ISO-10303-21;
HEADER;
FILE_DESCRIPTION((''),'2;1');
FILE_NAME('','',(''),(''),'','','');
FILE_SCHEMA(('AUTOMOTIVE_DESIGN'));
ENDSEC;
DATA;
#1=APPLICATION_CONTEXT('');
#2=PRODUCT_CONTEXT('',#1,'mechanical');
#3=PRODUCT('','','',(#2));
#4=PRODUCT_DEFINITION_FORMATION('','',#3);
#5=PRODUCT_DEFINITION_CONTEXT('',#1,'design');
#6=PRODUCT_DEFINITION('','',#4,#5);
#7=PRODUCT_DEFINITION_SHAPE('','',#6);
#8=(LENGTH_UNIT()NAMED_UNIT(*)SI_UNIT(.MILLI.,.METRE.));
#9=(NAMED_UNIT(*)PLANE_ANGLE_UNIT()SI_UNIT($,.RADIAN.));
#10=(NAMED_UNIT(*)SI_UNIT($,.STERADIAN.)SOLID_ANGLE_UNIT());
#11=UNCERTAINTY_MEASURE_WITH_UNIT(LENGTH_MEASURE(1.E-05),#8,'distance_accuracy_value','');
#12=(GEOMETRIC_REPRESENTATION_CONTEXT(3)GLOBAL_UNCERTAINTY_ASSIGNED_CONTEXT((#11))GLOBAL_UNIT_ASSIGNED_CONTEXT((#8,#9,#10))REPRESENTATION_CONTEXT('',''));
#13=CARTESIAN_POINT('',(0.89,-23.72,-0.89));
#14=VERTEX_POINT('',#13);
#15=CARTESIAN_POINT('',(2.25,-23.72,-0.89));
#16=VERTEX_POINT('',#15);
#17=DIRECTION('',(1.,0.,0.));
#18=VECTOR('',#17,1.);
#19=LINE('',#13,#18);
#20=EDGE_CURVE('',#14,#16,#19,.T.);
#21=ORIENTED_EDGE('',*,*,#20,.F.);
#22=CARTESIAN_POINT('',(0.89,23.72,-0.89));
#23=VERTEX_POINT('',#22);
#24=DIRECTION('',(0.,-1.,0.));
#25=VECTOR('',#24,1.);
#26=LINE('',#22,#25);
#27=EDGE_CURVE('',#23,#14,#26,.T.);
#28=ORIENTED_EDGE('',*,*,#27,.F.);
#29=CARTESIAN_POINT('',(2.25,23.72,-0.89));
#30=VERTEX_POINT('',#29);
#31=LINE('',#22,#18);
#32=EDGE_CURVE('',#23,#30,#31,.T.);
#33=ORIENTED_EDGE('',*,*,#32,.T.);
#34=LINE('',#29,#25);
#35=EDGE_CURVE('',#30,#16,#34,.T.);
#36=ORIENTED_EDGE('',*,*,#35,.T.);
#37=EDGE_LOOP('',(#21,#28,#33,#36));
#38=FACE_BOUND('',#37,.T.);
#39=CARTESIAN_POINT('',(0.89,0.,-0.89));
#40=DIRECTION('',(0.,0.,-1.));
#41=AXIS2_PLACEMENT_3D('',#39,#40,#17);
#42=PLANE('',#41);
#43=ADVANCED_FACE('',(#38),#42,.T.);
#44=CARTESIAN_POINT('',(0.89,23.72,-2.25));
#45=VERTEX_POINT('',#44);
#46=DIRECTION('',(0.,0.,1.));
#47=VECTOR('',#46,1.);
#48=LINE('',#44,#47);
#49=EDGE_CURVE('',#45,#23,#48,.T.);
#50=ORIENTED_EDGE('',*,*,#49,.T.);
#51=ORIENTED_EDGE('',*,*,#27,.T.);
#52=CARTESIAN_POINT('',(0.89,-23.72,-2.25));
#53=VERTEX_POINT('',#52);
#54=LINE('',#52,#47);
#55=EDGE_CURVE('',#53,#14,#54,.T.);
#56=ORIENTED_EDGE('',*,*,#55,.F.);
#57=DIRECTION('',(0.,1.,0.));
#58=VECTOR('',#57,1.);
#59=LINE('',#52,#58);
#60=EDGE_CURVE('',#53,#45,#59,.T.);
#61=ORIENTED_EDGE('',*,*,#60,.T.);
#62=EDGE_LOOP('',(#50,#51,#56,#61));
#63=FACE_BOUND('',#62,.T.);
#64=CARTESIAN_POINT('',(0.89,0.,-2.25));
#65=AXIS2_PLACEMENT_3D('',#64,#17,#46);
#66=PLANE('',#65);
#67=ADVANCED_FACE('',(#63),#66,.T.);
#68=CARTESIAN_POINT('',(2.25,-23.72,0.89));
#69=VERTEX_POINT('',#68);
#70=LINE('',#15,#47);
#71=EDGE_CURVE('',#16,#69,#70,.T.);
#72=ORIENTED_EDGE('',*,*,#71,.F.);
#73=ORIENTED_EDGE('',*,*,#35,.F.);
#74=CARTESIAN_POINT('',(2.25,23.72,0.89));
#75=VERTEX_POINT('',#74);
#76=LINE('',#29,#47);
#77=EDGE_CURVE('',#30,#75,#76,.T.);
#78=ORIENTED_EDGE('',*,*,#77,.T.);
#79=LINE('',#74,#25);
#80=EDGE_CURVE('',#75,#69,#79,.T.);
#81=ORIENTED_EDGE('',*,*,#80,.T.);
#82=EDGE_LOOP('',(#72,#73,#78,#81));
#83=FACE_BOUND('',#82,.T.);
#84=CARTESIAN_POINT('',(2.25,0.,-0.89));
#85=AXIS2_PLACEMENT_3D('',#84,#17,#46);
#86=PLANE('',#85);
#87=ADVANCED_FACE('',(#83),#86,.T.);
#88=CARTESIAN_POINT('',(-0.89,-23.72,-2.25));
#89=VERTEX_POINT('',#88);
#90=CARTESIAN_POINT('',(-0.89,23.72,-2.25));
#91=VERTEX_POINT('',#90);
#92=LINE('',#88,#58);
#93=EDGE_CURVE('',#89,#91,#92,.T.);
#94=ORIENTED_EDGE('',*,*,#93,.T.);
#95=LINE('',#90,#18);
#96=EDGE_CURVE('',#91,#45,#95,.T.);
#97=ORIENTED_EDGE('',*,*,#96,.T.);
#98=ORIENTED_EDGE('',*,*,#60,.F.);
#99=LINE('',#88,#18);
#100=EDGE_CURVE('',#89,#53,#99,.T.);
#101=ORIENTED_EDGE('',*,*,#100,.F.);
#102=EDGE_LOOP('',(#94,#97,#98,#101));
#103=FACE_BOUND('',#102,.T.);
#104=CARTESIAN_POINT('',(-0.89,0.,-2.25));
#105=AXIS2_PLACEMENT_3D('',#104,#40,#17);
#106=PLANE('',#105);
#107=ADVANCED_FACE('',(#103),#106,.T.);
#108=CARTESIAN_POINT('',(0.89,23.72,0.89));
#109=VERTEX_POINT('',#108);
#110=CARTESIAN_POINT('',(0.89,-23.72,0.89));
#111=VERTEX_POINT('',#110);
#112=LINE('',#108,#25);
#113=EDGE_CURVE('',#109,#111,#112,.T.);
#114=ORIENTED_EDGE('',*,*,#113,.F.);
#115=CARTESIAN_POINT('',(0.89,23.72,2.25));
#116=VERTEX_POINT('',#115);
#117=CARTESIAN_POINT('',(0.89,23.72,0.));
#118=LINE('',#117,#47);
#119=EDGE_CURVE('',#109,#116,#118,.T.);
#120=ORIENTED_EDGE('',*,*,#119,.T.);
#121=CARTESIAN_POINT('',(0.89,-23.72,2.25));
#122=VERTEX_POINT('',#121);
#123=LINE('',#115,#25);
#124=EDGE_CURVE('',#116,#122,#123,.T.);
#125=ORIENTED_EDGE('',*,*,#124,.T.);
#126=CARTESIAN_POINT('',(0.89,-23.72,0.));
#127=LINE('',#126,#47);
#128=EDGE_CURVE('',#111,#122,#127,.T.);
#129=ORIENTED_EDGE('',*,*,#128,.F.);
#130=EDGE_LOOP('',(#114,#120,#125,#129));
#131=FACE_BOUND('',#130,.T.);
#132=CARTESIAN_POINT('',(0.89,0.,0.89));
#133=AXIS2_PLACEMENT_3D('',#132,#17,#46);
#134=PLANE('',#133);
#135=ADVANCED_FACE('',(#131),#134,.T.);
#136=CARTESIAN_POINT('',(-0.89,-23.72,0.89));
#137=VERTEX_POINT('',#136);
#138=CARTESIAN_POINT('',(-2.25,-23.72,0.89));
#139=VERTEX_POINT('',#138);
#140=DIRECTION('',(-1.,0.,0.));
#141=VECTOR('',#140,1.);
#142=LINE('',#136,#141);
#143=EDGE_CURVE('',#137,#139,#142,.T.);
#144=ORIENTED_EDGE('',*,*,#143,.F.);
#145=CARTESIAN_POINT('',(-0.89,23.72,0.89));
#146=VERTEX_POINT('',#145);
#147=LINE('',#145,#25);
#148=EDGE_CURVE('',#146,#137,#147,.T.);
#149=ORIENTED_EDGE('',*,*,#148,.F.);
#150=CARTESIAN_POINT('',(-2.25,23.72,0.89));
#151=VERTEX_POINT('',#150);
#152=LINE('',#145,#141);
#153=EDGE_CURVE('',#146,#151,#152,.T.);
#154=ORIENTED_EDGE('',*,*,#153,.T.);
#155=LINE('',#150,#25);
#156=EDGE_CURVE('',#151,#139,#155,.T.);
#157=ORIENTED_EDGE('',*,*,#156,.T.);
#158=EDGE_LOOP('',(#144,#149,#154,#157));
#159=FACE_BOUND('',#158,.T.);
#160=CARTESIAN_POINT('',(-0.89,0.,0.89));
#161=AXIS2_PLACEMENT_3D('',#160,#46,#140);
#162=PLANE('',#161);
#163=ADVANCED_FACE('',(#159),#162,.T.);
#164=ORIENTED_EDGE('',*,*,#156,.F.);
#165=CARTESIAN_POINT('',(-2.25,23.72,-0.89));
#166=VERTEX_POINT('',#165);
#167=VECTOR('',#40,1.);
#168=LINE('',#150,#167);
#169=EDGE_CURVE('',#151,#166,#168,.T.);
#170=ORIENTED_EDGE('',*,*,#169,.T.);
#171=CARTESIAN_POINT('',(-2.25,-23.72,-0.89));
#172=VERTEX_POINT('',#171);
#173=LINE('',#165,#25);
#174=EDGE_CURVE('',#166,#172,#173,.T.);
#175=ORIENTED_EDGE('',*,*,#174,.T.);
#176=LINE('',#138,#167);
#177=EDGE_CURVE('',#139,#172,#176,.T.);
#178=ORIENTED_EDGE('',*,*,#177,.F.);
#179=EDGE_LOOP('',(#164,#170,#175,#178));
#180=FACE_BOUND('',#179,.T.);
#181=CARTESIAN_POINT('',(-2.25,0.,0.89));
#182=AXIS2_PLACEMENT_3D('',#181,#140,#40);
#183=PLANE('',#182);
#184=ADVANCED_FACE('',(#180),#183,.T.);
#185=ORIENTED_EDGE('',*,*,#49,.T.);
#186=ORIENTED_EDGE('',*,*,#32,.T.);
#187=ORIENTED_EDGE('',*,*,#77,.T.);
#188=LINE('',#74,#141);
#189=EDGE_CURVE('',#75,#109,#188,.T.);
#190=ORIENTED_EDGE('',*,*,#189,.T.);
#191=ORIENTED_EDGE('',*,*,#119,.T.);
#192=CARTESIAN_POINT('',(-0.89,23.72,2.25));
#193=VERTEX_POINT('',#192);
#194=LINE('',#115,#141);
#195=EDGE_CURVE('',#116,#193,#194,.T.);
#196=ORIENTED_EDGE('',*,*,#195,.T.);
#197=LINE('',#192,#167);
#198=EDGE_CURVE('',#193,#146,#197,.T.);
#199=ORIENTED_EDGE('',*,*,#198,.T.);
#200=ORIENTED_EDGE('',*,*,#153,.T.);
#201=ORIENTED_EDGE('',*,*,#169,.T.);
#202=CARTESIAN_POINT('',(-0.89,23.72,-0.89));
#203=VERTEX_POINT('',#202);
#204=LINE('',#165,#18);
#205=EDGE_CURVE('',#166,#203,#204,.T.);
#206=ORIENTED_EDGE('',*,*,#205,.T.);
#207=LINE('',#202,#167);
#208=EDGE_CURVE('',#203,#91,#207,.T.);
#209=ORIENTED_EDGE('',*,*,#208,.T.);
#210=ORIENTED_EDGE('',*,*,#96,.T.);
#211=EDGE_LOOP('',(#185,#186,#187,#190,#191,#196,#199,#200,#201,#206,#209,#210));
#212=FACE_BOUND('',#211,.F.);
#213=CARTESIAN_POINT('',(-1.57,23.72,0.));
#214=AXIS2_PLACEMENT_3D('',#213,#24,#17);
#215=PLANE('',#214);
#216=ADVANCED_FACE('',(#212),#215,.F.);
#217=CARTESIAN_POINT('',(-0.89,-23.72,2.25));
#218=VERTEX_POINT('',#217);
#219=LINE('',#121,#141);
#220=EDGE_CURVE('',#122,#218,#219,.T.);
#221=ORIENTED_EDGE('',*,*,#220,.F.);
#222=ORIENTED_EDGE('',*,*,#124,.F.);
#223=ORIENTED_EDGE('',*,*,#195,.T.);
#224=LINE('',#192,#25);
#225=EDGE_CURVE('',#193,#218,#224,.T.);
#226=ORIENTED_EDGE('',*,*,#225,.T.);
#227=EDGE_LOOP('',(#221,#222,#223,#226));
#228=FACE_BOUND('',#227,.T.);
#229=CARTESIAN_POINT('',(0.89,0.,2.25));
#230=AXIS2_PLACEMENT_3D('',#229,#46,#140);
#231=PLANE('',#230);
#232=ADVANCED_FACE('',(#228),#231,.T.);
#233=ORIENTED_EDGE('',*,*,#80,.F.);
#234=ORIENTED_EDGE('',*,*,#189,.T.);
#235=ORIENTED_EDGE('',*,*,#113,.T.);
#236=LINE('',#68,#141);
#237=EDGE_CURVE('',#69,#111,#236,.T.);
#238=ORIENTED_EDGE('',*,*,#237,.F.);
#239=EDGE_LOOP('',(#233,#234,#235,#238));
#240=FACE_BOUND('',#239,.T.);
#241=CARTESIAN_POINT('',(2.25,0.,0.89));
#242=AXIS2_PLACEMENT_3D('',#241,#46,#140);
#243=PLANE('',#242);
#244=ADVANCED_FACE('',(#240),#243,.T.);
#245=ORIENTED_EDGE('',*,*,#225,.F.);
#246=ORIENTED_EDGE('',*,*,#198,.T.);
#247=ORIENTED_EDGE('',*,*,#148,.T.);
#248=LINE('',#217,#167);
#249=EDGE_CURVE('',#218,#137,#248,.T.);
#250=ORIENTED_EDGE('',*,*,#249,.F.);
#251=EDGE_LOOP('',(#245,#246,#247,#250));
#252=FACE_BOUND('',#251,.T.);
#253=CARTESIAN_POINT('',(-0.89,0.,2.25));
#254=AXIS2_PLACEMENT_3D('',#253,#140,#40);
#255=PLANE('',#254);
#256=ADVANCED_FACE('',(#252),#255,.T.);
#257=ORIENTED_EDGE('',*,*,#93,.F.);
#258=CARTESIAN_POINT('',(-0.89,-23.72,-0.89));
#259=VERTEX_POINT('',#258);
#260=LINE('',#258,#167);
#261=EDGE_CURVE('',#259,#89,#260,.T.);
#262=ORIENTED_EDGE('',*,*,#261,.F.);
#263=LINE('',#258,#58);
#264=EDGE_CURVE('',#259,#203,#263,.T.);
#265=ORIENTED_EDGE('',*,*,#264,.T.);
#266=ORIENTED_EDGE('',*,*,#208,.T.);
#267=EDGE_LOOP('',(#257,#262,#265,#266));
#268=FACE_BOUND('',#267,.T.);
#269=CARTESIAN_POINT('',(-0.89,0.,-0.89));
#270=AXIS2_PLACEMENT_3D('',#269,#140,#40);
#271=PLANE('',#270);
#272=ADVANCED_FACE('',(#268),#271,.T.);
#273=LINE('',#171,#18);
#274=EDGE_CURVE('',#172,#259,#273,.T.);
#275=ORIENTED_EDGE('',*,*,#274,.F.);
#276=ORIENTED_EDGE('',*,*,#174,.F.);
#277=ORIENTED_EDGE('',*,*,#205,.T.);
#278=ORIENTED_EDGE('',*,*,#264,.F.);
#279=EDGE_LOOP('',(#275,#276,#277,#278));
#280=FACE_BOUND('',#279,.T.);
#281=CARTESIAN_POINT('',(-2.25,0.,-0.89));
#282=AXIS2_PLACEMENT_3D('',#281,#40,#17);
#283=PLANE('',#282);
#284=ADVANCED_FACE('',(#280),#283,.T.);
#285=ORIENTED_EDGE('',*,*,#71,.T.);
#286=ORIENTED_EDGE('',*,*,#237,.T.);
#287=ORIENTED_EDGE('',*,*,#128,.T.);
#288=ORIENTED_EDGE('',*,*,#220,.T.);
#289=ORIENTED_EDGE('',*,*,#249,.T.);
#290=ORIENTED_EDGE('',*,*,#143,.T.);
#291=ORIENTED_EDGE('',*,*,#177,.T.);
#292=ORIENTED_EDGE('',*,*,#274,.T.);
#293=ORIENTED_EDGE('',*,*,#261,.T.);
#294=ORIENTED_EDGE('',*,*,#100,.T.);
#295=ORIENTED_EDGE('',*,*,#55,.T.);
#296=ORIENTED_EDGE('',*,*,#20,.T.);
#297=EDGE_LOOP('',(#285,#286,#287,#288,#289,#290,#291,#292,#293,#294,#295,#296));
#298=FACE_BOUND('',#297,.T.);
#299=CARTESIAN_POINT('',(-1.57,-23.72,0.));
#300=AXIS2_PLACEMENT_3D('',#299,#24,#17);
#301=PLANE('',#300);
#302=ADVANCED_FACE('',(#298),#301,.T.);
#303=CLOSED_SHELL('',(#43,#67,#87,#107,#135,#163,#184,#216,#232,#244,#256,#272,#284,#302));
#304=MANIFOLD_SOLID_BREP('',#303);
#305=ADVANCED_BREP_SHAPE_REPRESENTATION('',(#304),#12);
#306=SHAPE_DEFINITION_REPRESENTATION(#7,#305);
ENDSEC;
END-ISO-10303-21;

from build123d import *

# Parameters (mm, degrees)
F0_W     = 0.89
F0_H     = 0.89
F1_DEPTH = 23.72


with BuildPart() as f1:
    # F0 (on Front) → F1 (new body, symmetric)
    with BuildSketch(Plane.XZ):
        Polygon((-0.89, 0.89), (-2.25, 0.89), (-2.25, -0.89), (-0.89, -0.89), (-0.89, 0), align=None)
        Polygon((-0.89, 2.25), (-0.89, 0.89), (0, 0.89), (0.89, 0.89), (0.89, 2.25), align=None)
        with Locations((-0.445, 0.445)):
            Rectangle(F0_W, F0_H)
        with Locations((0.445, 0.445)):
            Rectangle(F0_W, F0_H)
        with Locations((-0.445, -0.445)):
            Rectangle(F0_W, F0_H)
        Polygon((0, -0.89), (-0.89, -0.89), (-0.89, -2.25), (0.89, -2.25), (0.89, -0.89), align=None)
        Polygon((2.25, 0.89), (0.89, 0.89), (0.89, 0), (0.89, -0.89), (2.25, -0.89), align=None)
        with Locations((0.445, -0.445)):
            Rectangle(F0_W, F0_H)
    extrude(amount=F1_DEPTH, both=True)


solid = f1.part
